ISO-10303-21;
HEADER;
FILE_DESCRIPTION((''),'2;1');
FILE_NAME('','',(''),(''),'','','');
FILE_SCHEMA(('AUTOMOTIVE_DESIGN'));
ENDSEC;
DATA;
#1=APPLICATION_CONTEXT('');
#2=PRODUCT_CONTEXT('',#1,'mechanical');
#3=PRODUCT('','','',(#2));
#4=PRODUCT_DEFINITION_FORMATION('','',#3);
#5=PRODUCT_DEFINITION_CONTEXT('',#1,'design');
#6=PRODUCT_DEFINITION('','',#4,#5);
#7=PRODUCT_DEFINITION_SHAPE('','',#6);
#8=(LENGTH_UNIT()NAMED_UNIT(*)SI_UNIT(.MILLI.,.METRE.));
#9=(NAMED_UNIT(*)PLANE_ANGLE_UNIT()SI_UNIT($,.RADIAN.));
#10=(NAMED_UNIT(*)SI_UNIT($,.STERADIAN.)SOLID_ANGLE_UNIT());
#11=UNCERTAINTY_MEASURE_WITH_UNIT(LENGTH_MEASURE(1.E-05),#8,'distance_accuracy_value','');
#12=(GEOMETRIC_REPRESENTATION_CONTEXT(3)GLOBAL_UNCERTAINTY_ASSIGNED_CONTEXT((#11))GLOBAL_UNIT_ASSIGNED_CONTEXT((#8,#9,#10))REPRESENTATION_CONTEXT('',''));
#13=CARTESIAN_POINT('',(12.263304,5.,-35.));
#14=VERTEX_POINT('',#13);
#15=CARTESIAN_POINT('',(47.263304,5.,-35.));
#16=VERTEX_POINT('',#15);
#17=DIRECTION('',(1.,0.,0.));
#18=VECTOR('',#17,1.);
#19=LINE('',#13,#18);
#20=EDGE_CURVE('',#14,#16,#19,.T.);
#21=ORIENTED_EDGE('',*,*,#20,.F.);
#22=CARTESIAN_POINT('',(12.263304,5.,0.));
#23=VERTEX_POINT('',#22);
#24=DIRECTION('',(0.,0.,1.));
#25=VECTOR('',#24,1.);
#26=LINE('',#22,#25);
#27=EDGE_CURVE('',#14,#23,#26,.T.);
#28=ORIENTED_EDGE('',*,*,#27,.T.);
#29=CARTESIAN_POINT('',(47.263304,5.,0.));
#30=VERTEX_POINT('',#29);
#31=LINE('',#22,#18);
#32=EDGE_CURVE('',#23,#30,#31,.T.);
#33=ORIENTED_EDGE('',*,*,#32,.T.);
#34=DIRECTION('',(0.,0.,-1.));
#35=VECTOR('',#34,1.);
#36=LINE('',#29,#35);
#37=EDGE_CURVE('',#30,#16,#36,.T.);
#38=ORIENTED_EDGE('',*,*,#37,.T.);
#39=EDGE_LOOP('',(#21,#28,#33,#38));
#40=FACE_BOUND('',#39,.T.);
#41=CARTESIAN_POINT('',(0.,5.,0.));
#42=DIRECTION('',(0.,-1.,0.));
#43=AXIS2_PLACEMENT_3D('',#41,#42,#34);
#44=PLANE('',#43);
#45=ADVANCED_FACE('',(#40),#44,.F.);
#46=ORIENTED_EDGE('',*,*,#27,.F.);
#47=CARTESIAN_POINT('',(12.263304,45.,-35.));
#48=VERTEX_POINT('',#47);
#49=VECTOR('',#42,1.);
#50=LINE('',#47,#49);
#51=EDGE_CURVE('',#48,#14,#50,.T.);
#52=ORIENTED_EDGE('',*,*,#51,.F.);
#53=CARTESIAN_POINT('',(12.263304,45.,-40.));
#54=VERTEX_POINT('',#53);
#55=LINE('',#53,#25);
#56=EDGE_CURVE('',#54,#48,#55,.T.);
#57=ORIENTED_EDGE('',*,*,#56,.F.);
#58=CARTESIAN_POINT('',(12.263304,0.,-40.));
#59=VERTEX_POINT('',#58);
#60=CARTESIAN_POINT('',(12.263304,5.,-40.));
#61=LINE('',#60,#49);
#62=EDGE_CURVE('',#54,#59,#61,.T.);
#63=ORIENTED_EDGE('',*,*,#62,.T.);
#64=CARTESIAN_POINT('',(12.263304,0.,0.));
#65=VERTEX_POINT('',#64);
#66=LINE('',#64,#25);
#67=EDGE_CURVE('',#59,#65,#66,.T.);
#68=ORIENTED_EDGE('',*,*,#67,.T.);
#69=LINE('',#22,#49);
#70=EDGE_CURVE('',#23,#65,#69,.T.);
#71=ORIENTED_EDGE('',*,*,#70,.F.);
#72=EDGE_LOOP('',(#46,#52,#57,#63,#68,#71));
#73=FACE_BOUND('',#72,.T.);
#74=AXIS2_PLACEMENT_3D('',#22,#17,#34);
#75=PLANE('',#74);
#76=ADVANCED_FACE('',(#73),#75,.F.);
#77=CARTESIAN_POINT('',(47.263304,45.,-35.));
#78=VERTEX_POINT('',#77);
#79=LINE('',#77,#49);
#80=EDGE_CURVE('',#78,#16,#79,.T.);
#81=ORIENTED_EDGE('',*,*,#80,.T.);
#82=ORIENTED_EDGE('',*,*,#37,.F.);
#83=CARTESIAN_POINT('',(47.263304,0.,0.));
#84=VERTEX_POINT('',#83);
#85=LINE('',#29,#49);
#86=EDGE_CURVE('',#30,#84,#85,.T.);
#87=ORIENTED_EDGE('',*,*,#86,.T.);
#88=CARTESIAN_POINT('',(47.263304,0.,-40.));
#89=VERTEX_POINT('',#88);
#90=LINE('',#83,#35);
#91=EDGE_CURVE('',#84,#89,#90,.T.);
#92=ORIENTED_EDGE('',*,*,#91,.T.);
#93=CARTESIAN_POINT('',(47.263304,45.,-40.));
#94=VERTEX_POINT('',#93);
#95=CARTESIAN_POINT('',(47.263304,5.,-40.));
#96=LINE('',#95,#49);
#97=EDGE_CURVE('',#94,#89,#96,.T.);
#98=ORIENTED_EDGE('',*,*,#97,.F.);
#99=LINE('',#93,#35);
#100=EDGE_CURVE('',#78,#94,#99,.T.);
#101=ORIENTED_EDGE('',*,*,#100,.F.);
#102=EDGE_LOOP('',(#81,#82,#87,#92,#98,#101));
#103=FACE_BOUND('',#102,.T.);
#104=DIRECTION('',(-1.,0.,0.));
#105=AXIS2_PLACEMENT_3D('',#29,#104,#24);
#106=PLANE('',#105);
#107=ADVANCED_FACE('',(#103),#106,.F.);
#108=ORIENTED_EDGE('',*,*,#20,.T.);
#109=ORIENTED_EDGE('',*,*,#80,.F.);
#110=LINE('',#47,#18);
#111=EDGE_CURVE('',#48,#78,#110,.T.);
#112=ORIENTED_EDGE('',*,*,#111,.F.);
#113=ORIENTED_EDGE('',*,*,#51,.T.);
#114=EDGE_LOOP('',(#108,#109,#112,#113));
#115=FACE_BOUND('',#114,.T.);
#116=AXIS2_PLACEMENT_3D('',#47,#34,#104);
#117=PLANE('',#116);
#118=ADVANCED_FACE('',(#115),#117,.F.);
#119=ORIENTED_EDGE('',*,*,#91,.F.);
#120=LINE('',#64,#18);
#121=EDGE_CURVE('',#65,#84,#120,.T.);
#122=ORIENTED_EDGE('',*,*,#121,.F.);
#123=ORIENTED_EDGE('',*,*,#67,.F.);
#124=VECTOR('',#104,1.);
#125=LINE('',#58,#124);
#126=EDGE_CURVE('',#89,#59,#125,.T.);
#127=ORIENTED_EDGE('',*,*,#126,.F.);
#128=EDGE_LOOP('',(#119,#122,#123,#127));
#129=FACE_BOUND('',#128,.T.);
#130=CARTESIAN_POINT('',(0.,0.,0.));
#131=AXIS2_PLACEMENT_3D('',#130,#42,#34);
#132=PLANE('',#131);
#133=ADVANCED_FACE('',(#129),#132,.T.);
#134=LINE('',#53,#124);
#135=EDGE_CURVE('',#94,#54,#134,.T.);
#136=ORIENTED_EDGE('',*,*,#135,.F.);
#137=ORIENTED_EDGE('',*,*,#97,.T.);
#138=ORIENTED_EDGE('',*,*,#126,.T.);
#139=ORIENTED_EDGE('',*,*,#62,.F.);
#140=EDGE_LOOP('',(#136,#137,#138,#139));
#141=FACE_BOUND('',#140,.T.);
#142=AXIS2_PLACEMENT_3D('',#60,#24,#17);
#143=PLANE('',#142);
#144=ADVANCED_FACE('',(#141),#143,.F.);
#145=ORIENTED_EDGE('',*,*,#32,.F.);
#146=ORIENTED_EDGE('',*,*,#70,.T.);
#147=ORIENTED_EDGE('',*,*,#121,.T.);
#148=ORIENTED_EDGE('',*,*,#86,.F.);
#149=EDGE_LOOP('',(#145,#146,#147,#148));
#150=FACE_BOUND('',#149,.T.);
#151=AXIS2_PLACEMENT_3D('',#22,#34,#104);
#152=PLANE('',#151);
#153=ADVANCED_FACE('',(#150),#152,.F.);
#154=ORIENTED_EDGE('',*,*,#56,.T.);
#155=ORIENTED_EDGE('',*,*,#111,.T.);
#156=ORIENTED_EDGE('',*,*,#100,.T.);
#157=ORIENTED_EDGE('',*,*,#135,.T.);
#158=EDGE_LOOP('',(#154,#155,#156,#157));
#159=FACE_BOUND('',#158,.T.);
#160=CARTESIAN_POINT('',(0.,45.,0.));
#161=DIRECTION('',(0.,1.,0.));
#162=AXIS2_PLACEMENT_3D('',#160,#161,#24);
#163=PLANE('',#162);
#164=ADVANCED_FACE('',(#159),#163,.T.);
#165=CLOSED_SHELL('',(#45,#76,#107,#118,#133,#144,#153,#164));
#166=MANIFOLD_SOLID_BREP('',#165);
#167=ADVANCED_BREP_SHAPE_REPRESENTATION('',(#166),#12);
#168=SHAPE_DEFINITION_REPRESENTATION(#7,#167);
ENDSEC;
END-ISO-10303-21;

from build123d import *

# Parameters (mm, degrees)
SKETCH1_W           = 35
SKETCH1_H           = 40
BOSS_EXTRUDE1_DEPTH = 5
SKETCH2_W           = 35
SKETCH2_H           = 5
BOSS_EXTRUDE2_DEPTH = 40


with BuildPart() as part:
    # Sketch1 → Boss-Extrude1 (new body)
    with BuildSketch(Plane(origin=(0, 0, 0), x_dir=(1, 0, 0), z_dir=(0, 1, 0))):
        with Locations((29.763304318, 20)):
            Rectangle(SKETCH1_W, SKETCH1_H)
    extrude(amount=BOSS_EXTRUDE1_DEPTH)

    # Sketch2 → Boss-Extrude2 (add)
    with BuildSketch(Plane(origin=(0, 5, 0), x_dir=(1, 0, 0), z_dir=(0, 1, 0))):
        with Locations((29.763304318, 37.5)):
            Rectangle(SKETCH2_W, SKETCH2_H)
    extrude(amount=BOSS_EXTRUDE2_DEPTH)


solid = part.part
